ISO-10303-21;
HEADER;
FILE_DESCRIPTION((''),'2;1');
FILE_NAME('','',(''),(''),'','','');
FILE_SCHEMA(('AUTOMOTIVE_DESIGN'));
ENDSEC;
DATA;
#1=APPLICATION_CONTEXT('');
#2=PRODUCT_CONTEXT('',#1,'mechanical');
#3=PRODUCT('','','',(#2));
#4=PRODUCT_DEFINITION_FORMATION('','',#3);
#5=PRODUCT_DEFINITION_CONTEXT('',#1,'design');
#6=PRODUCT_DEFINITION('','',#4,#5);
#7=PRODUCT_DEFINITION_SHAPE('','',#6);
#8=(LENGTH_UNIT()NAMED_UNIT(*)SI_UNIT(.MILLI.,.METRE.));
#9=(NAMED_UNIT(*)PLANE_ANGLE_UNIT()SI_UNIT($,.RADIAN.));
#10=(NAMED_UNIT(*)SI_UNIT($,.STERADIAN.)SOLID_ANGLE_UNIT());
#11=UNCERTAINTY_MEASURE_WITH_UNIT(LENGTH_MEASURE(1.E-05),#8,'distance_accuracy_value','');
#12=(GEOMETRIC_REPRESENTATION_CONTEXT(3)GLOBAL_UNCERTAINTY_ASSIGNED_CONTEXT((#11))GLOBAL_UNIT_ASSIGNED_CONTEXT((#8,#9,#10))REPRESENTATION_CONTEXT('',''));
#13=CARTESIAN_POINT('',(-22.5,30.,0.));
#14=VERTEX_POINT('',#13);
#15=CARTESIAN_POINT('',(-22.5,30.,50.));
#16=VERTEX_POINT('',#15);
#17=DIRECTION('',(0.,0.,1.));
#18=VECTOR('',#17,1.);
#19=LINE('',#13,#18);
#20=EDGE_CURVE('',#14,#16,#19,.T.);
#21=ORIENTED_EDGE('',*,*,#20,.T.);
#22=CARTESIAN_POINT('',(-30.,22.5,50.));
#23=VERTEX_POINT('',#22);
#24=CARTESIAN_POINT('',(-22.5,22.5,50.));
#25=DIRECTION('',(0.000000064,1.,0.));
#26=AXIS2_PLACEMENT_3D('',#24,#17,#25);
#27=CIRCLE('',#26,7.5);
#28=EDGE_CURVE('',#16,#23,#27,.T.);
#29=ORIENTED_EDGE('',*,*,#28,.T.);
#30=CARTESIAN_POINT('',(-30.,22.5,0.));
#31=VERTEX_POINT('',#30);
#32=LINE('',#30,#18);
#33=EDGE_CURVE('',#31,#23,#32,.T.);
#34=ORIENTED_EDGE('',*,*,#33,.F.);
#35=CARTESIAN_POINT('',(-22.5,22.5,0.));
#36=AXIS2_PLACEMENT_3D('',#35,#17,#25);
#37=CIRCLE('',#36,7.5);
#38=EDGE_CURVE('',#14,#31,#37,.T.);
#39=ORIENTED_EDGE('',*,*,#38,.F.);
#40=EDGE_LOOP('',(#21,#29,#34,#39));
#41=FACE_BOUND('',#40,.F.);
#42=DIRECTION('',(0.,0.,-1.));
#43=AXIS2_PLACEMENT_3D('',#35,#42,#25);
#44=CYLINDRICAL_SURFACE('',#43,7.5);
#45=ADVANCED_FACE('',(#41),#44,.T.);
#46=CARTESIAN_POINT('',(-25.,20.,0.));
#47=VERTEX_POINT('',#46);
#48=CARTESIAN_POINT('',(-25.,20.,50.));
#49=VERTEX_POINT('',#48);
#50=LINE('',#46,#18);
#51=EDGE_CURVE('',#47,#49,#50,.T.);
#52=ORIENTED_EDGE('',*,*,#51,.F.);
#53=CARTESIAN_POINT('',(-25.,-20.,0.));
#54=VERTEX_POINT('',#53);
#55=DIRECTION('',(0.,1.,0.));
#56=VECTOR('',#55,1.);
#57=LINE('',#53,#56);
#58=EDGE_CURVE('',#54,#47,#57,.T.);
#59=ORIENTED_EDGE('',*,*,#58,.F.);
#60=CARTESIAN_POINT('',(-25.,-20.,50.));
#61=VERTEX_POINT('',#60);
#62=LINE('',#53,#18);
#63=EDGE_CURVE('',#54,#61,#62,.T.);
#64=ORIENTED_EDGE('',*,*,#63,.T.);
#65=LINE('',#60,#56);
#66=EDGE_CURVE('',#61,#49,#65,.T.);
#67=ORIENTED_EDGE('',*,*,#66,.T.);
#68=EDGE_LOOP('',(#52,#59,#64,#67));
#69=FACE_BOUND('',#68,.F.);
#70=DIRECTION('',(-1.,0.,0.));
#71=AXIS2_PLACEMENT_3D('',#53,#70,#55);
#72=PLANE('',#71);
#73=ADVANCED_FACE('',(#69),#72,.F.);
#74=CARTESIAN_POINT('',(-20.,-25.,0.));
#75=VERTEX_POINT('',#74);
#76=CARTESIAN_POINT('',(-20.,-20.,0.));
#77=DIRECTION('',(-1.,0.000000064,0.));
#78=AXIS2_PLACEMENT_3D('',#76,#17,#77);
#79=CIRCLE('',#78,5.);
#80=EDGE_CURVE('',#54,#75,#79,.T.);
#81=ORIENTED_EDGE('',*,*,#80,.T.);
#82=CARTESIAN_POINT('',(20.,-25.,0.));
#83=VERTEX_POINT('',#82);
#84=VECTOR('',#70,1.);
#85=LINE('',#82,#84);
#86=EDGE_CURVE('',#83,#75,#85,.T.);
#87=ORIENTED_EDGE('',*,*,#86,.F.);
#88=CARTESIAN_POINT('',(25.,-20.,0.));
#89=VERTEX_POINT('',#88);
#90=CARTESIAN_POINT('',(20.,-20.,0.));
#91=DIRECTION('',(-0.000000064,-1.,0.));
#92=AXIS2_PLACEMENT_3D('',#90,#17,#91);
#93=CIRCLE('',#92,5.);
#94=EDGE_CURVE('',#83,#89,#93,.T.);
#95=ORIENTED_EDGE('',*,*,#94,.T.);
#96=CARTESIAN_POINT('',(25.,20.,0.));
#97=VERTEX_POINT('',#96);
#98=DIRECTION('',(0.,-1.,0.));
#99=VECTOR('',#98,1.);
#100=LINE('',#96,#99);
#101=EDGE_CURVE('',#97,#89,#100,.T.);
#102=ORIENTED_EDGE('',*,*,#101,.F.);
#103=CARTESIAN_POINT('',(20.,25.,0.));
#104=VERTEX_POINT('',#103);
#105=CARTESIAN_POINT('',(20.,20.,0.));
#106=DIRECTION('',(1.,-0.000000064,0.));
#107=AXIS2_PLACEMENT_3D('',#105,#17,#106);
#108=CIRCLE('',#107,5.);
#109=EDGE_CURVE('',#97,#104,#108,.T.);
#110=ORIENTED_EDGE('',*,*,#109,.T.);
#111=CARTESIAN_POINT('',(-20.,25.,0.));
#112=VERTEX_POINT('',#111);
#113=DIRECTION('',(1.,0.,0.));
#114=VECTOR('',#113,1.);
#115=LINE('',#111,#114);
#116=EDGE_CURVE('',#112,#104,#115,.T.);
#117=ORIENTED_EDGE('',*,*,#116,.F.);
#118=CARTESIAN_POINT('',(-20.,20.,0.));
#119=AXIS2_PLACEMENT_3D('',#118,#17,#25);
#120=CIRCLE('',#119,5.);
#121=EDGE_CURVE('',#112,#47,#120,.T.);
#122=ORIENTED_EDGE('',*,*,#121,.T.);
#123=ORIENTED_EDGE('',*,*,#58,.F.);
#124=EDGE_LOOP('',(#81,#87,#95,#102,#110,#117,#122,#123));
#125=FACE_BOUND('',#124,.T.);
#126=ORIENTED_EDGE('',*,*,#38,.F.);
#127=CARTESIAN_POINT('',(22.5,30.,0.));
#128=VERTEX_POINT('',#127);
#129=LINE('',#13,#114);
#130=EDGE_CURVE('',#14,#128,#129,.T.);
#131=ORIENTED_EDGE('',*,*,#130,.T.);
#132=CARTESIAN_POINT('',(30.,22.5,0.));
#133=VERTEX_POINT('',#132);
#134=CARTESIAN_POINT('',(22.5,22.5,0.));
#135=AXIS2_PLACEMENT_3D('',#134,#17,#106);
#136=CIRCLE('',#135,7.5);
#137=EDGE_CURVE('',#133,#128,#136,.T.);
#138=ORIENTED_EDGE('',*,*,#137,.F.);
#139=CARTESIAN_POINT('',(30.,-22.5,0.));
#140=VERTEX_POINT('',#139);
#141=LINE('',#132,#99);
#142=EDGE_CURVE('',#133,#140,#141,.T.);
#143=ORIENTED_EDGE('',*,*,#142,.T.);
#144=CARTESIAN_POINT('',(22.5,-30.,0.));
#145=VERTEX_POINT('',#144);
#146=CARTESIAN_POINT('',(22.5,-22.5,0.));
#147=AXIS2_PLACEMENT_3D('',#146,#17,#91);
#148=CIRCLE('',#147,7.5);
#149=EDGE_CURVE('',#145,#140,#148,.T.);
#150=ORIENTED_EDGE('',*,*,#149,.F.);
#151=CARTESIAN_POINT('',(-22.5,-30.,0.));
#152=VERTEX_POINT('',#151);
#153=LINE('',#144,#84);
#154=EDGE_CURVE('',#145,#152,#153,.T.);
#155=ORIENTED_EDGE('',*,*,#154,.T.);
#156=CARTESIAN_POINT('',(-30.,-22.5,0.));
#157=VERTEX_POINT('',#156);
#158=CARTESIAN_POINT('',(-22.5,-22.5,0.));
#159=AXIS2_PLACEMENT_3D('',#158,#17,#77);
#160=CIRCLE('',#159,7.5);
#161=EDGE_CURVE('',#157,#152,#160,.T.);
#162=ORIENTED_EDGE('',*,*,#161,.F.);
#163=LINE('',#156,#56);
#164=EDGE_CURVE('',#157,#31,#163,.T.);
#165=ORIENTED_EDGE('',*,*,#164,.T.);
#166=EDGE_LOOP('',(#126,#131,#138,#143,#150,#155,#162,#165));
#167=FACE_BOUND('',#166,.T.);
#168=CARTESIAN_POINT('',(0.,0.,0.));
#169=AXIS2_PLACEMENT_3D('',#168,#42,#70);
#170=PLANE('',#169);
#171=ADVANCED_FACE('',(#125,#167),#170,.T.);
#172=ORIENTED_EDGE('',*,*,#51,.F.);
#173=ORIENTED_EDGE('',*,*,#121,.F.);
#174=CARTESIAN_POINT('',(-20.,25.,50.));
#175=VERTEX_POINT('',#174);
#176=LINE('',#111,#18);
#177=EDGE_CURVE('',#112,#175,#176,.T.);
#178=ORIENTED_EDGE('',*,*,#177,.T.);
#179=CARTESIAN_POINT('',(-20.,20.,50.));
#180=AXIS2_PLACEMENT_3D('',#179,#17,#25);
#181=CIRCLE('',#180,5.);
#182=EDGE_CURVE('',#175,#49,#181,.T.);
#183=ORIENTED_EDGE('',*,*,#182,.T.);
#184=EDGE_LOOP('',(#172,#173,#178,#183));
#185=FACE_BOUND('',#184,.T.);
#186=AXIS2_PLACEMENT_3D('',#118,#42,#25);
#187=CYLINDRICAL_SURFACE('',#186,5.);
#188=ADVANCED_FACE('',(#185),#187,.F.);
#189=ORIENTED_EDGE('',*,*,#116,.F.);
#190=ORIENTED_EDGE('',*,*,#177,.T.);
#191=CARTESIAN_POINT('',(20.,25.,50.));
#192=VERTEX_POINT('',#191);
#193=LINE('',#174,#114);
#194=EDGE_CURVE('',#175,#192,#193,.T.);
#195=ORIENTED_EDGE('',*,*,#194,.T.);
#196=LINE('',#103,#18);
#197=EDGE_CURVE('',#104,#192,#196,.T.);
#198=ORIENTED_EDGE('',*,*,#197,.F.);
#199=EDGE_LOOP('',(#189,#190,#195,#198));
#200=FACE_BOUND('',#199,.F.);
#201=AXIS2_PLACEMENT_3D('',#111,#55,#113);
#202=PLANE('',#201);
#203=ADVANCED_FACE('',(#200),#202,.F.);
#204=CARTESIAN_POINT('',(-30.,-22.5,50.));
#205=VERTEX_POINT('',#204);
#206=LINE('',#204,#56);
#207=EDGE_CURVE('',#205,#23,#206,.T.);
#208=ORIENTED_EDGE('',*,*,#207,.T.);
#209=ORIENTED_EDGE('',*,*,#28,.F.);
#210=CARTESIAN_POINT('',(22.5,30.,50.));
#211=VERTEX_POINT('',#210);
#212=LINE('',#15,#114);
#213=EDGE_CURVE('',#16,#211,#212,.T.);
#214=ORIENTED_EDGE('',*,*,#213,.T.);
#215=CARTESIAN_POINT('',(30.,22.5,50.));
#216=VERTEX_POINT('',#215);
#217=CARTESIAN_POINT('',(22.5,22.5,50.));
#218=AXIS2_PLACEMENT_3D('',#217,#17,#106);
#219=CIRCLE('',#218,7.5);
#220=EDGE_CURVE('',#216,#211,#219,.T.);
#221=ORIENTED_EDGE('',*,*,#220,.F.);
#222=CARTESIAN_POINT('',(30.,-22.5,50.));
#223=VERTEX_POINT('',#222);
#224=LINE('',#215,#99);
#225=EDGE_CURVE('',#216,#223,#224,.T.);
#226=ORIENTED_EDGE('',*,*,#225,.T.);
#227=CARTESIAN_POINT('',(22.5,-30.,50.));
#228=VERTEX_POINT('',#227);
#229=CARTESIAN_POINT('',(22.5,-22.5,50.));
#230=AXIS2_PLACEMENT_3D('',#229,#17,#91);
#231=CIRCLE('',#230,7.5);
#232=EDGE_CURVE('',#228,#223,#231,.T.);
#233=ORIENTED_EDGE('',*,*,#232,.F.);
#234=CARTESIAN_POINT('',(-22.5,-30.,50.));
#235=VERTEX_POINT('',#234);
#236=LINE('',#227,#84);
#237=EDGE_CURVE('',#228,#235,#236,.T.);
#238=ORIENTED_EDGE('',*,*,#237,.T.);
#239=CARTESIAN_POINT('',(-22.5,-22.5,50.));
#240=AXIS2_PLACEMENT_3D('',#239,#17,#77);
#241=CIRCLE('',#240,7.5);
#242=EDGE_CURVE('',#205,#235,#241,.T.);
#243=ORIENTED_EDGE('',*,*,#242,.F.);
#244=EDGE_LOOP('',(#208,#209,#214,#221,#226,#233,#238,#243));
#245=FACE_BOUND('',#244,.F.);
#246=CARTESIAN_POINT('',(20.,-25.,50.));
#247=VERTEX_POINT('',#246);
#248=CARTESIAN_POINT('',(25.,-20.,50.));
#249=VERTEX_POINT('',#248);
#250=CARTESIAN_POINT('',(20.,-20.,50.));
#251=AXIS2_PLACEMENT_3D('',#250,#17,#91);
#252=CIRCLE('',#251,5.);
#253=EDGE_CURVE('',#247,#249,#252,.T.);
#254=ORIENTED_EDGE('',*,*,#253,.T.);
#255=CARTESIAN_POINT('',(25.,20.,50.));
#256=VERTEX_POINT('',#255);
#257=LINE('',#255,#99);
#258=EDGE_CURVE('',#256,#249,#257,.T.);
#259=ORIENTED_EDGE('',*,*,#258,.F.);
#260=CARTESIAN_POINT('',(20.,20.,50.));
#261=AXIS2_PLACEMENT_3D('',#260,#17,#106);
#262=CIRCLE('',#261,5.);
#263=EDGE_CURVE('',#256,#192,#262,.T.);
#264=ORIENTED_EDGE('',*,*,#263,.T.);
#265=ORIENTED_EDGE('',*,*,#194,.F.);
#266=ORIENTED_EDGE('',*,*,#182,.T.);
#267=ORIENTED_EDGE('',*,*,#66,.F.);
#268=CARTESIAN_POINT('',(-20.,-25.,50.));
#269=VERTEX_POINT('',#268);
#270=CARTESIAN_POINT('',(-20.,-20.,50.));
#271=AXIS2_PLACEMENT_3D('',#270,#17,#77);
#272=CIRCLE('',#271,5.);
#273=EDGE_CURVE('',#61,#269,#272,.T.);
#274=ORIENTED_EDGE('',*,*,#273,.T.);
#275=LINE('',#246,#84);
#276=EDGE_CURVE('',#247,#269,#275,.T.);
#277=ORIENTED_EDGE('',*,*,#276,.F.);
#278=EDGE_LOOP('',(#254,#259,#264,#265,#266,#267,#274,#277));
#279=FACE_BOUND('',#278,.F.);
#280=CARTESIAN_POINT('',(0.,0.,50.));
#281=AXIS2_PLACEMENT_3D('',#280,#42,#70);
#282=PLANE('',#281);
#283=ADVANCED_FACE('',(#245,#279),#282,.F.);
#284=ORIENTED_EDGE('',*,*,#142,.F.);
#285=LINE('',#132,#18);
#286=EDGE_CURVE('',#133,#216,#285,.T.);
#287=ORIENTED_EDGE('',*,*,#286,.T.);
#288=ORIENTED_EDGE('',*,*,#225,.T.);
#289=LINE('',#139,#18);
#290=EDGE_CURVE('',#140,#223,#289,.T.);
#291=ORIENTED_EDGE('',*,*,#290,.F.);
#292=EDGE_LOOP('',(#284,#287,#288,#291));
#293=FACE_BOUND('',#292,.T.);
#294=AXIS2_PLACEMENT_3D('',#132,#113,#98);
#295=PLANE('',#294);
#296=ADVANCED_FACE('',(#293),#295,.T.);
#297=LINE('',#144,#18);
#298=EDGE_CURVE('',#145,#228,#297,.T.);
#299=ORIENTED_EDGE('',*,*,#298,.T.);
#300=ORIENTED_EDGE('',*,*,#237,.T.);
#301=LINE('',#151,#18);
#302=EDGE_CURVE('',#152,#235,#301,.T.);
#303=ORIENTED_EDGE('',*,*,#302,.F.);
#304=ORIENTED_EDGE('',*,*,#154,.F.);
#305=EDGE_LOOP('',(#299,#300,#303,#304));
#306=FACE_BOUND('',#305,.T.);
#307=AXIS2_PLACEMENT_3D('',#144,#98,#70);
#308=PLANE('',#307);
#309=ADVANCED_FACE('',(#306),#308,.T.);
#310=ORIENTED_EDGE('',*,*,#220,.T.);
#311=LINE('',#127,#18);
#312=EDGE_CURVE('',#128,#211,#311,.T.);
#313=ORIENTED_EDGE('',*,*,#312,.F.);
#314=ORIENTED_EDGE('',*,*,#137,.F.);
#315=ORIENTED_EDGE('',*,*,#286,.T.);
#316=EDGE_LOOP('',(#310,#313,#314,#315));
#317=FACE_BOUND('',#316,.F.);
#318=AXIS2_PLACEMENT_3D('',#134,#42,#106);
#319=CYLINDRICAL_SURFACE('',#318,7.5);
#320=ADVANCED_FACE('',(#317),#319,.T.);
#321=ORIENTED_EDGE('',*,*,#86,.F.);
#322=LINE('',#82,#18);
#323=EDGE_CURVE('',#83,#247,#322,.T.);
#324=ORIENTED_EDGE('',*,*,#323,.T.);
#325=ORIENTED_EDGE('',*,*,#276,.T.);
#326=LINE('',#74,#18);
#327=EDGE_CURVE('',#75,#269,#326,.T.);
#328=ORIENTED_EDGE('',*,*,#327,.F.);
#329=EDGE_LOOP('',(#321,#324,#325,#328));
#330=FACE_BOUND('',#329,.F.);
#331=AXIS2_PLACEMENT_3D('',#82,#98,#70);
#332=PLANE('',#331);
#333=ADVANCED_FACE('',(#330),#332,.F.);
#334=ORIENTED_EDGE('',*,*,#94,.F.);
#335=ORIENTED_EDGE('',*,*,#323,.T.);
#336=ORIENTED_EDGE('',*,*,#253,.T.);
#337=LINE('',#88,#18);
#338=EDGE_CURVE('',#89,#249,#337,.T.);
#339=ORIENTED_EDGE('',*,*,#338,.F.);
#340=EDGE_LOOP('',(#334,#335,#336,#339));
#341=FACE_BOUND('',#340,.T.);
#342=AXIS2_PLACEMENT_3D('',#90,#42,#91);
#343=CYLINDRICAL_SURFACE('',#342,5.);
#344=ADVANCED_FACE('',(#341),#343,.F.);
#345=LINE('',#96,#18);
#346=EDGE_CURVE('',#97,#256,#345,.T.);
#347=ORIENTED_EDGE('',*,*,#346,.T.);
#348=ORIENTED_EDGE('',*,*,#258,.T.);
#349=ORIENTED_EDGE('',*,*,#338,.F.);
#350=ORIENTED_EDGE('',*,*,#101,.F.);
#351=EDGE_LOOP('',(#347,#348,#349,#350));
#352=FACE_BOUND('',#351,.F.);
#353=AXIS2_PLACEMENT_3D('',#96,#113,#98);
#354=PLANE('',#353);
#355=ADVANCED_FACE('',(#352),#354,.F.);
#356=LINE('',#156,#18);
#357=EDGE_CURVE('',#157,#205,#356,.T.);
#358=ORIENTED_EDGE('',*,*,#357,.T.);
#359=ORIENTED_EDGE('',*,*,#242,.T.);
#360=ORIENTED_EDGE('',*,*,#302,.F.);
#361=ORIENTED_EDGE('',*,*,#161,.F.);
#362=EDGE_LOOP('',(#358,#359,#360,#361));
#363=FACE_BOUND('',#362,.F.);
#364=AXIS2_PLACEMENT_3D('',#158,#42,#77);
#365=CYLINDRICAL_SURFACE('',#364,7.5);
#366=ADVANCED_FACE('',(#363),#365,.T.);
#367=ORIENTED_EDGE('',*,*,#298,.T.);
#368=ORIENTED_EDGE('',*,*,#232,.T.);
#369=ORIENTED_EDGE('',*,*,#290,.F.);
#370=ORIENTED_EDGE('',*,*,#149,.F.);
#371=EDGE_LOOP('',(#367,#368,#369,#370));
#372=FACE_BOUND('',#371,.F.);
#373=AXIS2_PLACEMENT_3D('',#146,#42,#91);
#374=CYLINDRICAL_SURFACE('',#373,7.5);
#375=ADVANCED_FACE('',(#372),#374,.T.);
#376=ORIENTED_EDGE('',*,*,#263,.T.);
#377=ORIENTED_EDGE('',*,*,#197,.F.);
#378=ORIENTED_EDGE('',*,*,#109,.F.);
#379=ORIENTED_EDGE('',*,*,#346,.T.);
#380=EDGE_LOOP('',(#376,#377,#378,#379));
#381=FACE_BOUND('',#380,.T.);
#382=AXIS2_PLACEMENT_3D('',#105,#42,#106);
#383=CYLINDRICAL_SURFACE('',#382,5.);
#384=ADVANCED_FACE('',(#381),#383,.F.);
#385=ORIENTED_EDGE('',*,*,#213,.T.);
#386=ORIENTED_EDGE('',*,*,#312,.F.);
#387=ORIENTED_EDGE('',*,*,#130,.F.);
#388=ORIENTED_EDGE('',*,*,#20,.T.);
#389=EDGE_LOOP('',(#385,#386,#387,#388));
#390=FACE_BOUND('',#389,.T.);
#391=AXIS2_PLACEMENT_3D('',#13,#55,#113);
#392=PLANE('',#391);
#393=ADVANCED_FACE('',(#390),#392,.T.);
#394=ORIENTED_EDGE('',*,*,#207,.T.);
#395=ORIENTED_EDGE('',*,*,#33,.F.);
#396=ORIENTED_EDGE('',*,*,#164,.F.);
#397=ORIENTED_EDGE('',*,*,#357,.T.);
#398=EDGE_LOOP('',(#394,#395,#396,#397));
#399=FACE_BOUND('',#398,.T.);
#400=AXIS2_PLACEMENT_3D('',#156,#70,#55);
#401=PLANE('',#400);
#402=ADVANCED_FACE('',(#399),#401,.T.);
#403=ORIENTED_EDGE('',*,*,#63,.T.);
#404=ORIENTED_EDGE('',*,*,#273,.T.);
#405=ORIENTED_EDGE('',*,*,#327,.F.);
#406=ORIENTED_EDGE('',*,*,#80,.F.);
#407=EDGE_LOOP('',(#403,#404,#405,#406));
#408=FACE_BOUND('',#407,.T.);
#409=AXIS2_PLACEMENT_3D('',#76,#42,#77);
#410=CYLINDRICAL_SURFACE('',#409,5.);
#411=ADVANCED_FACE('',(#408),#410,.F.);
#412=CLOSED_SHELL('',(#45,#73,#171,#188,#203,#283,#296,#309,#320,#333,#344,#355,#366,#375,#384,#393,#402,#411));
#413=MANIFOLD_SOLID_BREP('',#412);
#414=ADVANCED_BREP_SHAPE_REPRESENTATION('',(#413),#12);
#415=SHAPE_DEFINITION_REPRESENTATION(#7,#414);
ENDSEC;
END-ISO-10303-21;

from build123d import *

# Parameters (mm, degrees)
EXTRUDE_DEPTH = 50


with BuildPart() as part:
    # Sketch → Extrude (new body)
    with BuildSketch(Plane.XY):
        with BuildLine():
            Line((-22.5, 30), (22.5, 30))
            ThreePointArc((30, 22.5), (27.803301, 27.803301), (22.5, 30))
            Line((30, 22.5), (30, -22.5))
            ThreePointArc((22.5, -30), (27.803301, -27.803301), (30, -22.5))
            Line((22.5, -30), (-22.5, -30))
            ThreePointArc((-30, -22.5), (-27.803301, -27.803301), (-22.5, -30))
            Line((-30, -22.5), (-30, 22.5))
            ThreePointArc((-22.5, 30), (-27.803301, 27.803301), (-30, 22.5))
        make_face()
        with BuildLine():
            Line((-20, 25), (20, 25))
            ThreePointArc((25, 20), (23.535534, 23.535534), (20, 25))
            Line((25, 20), (25, -20))
            ThreePointArc((20, -25), (23.535534, -23.535534), (25, -20))
            Line((20, -25), (-20, -25))
            ThreePointArc((-25, -20), (-23.535534, -23.535534), (-20, -25))
            Line((-25, -20), (-25, 20))
            ThreePointArc((-20, 25), (-23.535534, 23.535534), (-25, 20))
        make_face(mode=Mode.SUBTRACT)
    extrude(amount=EXTRUDE_DEPTH)


solid = part.part
